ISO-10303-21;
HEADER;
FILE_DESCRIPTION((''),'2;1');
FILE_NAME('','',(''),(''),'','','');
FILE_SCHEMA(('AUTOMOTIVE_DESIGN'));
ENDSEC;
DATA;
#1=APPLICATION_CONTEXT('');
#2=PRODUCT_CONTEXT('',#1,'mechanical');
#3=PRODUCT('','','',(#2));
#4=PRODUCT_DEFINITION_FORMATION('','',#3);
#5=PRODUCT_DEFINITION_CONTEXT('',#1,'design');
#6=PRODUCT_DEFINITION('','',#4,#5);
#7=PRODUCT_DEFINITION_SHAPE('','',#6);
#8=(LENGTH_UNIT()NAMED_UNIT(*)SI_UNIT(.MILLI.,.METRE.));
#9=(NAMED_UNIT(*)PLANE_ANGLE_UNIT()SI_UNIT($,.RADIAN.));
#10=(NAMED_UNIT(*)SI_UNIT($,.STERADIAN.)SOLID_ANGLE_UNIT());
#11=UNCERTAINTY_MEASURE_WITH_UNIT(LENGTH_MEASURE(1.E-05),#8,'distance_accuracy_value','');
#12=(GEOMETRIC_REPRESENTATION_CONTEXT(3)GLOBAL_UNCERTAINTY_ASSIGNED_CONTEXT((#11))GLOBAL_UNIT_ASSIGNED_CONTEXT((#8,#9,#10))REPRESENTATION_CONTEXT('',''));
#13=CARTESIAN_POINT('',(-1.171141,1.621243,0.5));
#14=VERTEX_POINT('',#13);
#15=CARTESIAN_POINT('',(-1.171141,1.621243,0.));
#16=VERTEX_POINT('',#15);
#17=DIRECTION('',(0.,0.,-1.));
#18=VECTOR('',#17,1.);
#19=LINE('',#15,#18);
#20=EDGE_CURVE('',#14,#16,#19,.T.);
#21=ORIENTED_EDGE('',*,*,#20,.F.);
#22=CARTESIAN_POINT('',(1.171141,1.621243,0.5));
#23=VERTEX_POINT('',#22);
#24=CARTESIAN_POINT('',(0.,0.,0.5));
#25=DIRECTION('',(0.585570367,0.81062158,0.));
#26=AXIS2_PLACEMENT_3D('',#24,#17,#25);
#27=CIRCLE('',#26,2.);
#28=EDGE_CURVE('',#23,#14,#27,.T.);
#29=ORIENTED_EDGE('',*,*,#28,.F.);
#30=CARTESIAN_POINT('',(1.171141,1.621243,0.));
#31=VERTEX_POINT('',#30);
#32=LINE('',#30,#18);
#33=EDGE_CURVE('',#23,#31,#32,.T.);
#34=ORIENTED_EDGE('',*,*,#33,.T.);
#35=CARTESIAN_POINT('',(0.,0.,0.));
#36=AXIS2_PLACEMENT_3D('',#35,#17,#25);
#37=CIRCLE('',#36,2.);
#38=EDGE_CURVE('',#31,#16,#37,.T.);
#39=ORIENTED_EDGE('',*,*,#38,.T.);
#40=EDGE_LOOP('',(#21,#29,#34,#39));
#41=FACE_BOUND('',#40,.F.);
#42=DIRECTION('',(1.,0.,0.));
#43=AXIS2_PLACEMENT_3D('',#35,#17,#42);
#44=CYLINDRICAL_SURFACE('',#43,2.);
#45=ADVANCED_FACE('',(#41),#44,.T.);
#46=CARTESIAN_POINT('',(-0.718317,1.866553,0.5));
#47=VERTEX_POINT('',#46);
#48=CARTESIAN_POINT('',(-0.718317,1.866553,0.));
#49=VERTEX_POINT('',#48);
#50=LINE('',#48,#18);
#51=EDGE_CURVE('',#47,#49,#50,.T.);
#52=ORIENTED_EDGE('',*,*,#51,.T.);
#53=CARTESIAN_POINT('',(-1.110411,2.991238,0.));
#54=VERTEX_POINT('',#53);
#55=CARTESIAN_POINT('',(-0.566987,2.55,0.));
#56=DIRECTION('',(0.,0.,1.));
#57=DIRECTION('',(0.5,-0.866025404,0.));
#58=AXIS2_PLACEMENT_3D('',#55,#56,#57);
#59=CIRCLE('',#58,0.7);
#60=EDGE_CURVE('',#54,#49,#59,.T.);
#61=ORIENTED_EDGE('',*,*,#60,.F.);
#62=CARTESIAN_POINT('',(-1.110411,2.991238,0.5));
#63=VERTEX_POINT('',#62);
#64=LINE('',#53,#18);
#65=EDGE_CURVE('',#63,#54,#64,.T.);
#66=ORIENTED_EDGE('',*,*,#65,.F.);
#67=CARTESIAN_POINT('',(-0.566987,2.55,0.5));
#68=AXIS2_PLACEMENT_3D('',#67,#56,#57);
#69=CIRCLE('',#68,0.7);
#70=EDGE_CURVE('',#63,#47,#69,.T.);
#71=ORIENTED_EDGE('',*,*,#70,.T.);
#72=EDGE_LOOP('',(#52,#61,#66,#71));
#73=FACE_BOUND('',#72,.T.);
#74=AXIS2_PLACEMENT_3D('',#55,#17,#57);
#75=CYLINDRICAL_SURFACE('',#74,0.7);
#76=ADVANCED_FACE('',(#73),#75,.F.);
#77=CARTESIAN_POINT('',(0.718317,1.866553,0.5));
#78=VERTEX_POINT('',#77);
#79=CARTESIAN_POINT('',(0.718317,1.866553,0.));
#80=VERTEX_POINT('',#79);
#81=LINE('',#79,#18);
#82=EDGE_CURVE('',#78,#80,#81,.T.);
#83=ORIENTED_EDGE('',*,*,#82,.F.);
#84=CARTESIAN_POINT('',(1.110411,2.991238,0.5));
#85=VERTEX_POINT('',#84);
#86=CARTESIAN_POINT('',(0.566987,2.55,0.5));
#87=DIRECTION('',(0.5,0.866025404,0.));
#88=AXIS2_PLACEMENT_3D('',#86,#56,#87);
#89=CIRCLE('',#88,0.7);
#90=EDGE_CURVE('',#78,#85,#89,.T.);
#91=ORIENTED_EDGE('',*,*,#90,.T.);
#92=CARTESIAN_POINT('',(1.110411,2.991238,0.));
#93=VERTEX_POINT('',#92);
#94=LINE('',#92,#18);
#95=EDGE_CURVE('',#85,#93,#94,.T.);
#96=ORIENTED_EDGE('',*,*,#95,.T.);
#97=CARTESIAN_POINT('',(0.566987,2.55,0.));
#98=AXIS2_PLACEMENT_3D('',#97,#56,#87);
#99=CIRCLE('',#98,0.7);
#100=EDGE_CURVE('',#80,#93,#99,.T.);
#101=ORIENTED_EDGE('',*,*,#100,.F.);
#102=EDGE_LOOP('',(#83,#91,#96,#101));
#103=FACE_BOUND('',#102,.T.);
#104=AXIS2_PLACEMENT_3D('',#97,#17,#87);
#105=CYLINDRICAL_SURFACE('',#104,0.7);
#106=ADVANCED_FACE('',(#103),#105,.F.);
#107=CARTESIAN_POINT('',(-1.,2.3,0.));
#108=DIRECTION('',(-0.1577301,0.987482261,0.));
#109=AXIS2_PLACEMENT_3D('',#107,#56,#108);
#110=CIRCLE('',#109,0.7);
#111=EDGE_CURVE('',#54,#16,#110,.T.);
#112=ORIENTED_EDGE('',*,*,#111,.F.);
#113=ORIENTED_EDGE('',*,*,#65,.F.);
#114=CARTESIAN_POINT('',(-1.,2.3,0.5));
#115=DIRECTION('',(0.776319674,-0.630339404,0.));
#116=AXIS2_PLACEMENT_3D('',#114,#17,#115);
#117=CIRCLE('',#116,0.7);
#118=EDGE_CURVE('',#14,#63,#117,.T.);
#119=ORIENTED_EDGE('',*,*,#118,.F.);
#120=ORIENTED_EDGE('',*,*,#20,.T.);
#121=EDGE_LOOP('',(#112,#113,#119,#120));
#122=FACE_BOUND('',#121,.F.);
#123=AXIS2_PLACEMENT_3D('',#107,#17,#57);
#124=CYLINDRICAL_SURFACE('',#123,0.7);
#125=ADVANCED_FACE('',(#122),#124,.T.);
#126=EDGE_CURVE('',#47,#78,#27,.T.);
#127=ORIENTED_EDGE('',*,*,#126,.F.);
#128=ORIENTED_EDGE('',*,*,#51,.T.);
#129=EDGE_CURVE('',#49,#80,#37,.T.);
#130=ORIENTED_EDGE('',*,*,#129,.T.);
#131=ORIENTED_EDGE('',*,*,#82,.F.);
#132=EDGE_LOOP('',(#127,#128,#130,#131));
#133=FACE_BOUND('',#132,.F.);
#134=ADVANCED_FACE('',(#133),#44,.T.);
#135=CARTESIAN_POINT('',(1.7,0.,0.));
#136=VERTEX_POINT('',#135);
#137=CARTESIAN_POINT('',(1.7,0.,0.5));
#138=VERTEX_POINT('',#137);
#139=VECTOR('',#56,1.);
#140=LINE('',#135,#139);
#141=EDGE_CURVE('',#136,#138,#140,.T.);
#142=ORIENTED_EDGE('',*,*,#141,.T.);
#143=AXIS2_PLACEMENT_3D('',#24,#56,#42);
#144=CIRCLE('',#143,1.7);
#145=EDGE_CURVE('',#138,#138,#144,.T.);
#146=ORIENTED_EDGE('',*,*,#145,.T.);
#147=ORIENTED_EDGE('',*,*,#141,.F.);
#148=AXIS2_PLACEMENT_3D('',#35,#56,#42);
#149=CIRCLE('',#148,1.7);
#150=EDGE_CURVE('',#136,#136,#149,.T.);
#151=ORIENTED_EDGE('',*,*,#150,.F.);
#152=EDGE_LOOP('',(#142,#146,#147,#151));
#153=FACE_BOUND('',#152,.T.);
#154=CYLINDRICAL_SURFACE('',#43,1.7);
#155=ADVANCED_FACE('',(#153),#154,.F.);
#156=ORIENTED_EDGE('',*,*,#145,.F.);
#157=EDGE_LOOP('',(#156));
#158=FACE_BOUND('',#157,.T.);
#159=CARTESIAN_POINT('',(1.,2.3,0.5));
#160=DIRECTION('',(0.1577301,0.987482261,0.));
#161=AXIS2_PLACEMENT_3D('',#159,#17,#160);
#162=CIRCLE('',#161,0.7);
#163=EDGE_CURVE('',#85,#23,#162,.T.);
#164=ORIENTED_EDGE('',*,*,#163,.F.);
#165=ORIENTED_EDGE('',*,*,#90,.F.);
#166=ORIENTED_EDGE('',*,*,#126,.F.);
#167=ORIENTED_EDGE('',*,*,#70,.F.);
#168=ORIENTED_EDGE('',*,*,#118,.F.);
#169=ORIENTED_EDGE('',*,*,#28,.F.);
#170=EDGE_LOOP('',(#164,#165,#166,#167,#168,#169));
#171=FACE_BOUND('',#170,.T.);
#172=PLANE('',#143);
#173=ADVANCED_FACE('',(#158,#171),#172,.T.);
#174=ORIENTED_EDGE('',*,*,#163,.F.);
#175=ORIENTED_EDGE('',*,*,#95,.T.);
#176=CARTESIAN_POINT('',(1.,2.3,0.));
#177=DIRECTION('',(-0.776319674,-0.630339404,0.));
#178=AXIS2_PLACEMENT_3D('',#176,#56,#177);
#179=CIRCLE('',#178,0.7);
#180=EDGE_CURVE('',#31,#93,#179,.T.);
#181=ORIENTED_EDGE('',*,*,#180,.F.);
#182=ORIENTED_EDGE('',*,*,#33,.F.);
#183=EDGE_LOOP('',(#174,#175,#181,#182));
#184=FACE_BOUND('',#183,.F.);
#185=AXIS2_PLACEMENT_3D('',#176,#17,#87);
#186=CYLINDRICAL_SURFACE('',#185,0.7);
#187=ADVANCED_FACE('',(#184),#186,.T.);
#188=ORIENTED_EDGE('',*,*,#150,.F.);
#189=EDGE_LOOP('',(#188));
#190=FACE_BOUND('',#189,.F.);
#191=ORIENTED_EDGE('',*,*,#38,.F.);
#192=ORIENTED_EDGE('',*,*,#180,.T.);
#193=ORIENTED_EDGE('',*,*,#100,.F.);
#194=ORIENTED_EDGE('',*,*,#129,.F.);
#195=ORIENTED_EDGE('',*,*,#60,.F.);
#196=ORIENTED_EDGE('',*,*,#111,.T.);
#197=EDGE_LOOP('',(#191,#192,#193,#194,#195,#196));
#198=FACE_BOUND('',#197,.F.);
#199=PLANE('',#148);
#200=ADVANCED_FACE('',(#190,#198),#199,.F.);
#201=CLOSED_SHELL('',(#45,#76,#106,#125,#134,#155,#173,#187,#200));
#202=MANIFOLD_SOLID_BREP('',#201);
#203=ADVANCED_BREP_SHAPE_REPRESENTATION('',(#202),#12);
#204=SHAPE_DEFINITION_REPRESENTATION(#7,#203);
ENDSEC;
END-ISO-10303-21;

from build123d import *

# Parameters (mm, degrees)
CYLINDER003_R          = 0.7
CYLINDER003_DEPTH      = 0.5
CYLINDER002_R          = 0.7
CYLINDER002_DEPTH      = 0.5
CUT001_PLACEMENT_ANGLE = 60
CYLINDER001_R          = 1.7
CYLINDER001_DEPTH      = 0.5
CYLINDER_R             = 2
CYLINDER_DEPTH         = 0.5
CYLINDER005_R          = 0.7
CYLINDER005_DEPTH      = 0.5
CYLINDER004_R          = 0.7
CYLINDER004_DEPTH      = 0.5
CUT002_PLACEMENT_ANGLE = 300


with BuildPart() as cilindro003:
    # Cylinder003 → Cylinder003 (new body)
    with BuildSketch(Plane(origin=(0, 0.5, 0), x_dir=(1, 0, 0), z_dir=(0, 0, 1))):
        Circle(CYLINDER003_R)
    extrude(amount=CYLINDER003_DEPTH)


with BuildPart() as cut001:
    # Cylinder002 → Cylinder002 (new body)
    with BuildSketch(Plane.XY):
        Circle(CYLINDER002_R)
    extrude(amount=CYLINDER002_DEPTH)

    # Cut001: cut Cilindro003
    add(cilindro003.part, mode=Mode.SUBTRACT)


with BuildPart() as cut001_1:
    # Cut001 placement: moved
    add(cut001.part.moved(Location((1, 2.3, 0))).rotate(Axis((1, 2.3, 0), (0, 0, 1)), CUT001_PLACEMENT_ANGLE))


with BuildPart() as cilindro001:
    # Cylinder001 → Cylinder001 (new body)
    with BuildSketch(Plane.XY):
        Circle(CYLINDER001_R)
    extrude(amount=CYLINDER001_DEPTH)


with BuildPart() as fusion:
    # Cylinder → Cylinder (new body)
    with BuildSketch(Plane.XY):
        Circle(CYLINDER_R)
    extrude(amount=CYLINDER_DEPTH)

    # Cut: cut Cilindro001
    add(cilindro001.part, mode=Mode.SUBTRACT)

    # Fusion: union Cut001
    add(cut001_1.part)


with BuildPart() as cilindro005:
    # Cylinder005 → Cylinder005 (new body)
    with BuildSketch(Plane(origin=(0, 0.5, 0), x_dir=(1, 0, 0), z_dir=(0, 0, 1))):
        Circle(CYLINDER005_R)
    extrude(amount=CYLINDER005_DEPTH)


with BuildPart() as fusion001:
    # Cylinder004 → Cylinder004 (new body)
    with BuildSketch(Plane.XY):
        Circle(CYLINDER004_R)
    extrude(amount=CYLINDER004_DEPTH)

    # Cut002: cut Cilindro005
    add(cilindro005.part, mode=Mode.SUBTRACT)


with BuildPart() as fusion001_1:
    # Cut002 placement: moved
    add(fusion001.part.moved(Location((-1, 2.3, 0))).rotate(Axis((-1, 2.3, 0), (0, 0, 1)), CUT002_PLACEMENT_ANGLE))

    # Fusion001: union Fusion
    add(fusion.part)


solid = fusion001_1.part
